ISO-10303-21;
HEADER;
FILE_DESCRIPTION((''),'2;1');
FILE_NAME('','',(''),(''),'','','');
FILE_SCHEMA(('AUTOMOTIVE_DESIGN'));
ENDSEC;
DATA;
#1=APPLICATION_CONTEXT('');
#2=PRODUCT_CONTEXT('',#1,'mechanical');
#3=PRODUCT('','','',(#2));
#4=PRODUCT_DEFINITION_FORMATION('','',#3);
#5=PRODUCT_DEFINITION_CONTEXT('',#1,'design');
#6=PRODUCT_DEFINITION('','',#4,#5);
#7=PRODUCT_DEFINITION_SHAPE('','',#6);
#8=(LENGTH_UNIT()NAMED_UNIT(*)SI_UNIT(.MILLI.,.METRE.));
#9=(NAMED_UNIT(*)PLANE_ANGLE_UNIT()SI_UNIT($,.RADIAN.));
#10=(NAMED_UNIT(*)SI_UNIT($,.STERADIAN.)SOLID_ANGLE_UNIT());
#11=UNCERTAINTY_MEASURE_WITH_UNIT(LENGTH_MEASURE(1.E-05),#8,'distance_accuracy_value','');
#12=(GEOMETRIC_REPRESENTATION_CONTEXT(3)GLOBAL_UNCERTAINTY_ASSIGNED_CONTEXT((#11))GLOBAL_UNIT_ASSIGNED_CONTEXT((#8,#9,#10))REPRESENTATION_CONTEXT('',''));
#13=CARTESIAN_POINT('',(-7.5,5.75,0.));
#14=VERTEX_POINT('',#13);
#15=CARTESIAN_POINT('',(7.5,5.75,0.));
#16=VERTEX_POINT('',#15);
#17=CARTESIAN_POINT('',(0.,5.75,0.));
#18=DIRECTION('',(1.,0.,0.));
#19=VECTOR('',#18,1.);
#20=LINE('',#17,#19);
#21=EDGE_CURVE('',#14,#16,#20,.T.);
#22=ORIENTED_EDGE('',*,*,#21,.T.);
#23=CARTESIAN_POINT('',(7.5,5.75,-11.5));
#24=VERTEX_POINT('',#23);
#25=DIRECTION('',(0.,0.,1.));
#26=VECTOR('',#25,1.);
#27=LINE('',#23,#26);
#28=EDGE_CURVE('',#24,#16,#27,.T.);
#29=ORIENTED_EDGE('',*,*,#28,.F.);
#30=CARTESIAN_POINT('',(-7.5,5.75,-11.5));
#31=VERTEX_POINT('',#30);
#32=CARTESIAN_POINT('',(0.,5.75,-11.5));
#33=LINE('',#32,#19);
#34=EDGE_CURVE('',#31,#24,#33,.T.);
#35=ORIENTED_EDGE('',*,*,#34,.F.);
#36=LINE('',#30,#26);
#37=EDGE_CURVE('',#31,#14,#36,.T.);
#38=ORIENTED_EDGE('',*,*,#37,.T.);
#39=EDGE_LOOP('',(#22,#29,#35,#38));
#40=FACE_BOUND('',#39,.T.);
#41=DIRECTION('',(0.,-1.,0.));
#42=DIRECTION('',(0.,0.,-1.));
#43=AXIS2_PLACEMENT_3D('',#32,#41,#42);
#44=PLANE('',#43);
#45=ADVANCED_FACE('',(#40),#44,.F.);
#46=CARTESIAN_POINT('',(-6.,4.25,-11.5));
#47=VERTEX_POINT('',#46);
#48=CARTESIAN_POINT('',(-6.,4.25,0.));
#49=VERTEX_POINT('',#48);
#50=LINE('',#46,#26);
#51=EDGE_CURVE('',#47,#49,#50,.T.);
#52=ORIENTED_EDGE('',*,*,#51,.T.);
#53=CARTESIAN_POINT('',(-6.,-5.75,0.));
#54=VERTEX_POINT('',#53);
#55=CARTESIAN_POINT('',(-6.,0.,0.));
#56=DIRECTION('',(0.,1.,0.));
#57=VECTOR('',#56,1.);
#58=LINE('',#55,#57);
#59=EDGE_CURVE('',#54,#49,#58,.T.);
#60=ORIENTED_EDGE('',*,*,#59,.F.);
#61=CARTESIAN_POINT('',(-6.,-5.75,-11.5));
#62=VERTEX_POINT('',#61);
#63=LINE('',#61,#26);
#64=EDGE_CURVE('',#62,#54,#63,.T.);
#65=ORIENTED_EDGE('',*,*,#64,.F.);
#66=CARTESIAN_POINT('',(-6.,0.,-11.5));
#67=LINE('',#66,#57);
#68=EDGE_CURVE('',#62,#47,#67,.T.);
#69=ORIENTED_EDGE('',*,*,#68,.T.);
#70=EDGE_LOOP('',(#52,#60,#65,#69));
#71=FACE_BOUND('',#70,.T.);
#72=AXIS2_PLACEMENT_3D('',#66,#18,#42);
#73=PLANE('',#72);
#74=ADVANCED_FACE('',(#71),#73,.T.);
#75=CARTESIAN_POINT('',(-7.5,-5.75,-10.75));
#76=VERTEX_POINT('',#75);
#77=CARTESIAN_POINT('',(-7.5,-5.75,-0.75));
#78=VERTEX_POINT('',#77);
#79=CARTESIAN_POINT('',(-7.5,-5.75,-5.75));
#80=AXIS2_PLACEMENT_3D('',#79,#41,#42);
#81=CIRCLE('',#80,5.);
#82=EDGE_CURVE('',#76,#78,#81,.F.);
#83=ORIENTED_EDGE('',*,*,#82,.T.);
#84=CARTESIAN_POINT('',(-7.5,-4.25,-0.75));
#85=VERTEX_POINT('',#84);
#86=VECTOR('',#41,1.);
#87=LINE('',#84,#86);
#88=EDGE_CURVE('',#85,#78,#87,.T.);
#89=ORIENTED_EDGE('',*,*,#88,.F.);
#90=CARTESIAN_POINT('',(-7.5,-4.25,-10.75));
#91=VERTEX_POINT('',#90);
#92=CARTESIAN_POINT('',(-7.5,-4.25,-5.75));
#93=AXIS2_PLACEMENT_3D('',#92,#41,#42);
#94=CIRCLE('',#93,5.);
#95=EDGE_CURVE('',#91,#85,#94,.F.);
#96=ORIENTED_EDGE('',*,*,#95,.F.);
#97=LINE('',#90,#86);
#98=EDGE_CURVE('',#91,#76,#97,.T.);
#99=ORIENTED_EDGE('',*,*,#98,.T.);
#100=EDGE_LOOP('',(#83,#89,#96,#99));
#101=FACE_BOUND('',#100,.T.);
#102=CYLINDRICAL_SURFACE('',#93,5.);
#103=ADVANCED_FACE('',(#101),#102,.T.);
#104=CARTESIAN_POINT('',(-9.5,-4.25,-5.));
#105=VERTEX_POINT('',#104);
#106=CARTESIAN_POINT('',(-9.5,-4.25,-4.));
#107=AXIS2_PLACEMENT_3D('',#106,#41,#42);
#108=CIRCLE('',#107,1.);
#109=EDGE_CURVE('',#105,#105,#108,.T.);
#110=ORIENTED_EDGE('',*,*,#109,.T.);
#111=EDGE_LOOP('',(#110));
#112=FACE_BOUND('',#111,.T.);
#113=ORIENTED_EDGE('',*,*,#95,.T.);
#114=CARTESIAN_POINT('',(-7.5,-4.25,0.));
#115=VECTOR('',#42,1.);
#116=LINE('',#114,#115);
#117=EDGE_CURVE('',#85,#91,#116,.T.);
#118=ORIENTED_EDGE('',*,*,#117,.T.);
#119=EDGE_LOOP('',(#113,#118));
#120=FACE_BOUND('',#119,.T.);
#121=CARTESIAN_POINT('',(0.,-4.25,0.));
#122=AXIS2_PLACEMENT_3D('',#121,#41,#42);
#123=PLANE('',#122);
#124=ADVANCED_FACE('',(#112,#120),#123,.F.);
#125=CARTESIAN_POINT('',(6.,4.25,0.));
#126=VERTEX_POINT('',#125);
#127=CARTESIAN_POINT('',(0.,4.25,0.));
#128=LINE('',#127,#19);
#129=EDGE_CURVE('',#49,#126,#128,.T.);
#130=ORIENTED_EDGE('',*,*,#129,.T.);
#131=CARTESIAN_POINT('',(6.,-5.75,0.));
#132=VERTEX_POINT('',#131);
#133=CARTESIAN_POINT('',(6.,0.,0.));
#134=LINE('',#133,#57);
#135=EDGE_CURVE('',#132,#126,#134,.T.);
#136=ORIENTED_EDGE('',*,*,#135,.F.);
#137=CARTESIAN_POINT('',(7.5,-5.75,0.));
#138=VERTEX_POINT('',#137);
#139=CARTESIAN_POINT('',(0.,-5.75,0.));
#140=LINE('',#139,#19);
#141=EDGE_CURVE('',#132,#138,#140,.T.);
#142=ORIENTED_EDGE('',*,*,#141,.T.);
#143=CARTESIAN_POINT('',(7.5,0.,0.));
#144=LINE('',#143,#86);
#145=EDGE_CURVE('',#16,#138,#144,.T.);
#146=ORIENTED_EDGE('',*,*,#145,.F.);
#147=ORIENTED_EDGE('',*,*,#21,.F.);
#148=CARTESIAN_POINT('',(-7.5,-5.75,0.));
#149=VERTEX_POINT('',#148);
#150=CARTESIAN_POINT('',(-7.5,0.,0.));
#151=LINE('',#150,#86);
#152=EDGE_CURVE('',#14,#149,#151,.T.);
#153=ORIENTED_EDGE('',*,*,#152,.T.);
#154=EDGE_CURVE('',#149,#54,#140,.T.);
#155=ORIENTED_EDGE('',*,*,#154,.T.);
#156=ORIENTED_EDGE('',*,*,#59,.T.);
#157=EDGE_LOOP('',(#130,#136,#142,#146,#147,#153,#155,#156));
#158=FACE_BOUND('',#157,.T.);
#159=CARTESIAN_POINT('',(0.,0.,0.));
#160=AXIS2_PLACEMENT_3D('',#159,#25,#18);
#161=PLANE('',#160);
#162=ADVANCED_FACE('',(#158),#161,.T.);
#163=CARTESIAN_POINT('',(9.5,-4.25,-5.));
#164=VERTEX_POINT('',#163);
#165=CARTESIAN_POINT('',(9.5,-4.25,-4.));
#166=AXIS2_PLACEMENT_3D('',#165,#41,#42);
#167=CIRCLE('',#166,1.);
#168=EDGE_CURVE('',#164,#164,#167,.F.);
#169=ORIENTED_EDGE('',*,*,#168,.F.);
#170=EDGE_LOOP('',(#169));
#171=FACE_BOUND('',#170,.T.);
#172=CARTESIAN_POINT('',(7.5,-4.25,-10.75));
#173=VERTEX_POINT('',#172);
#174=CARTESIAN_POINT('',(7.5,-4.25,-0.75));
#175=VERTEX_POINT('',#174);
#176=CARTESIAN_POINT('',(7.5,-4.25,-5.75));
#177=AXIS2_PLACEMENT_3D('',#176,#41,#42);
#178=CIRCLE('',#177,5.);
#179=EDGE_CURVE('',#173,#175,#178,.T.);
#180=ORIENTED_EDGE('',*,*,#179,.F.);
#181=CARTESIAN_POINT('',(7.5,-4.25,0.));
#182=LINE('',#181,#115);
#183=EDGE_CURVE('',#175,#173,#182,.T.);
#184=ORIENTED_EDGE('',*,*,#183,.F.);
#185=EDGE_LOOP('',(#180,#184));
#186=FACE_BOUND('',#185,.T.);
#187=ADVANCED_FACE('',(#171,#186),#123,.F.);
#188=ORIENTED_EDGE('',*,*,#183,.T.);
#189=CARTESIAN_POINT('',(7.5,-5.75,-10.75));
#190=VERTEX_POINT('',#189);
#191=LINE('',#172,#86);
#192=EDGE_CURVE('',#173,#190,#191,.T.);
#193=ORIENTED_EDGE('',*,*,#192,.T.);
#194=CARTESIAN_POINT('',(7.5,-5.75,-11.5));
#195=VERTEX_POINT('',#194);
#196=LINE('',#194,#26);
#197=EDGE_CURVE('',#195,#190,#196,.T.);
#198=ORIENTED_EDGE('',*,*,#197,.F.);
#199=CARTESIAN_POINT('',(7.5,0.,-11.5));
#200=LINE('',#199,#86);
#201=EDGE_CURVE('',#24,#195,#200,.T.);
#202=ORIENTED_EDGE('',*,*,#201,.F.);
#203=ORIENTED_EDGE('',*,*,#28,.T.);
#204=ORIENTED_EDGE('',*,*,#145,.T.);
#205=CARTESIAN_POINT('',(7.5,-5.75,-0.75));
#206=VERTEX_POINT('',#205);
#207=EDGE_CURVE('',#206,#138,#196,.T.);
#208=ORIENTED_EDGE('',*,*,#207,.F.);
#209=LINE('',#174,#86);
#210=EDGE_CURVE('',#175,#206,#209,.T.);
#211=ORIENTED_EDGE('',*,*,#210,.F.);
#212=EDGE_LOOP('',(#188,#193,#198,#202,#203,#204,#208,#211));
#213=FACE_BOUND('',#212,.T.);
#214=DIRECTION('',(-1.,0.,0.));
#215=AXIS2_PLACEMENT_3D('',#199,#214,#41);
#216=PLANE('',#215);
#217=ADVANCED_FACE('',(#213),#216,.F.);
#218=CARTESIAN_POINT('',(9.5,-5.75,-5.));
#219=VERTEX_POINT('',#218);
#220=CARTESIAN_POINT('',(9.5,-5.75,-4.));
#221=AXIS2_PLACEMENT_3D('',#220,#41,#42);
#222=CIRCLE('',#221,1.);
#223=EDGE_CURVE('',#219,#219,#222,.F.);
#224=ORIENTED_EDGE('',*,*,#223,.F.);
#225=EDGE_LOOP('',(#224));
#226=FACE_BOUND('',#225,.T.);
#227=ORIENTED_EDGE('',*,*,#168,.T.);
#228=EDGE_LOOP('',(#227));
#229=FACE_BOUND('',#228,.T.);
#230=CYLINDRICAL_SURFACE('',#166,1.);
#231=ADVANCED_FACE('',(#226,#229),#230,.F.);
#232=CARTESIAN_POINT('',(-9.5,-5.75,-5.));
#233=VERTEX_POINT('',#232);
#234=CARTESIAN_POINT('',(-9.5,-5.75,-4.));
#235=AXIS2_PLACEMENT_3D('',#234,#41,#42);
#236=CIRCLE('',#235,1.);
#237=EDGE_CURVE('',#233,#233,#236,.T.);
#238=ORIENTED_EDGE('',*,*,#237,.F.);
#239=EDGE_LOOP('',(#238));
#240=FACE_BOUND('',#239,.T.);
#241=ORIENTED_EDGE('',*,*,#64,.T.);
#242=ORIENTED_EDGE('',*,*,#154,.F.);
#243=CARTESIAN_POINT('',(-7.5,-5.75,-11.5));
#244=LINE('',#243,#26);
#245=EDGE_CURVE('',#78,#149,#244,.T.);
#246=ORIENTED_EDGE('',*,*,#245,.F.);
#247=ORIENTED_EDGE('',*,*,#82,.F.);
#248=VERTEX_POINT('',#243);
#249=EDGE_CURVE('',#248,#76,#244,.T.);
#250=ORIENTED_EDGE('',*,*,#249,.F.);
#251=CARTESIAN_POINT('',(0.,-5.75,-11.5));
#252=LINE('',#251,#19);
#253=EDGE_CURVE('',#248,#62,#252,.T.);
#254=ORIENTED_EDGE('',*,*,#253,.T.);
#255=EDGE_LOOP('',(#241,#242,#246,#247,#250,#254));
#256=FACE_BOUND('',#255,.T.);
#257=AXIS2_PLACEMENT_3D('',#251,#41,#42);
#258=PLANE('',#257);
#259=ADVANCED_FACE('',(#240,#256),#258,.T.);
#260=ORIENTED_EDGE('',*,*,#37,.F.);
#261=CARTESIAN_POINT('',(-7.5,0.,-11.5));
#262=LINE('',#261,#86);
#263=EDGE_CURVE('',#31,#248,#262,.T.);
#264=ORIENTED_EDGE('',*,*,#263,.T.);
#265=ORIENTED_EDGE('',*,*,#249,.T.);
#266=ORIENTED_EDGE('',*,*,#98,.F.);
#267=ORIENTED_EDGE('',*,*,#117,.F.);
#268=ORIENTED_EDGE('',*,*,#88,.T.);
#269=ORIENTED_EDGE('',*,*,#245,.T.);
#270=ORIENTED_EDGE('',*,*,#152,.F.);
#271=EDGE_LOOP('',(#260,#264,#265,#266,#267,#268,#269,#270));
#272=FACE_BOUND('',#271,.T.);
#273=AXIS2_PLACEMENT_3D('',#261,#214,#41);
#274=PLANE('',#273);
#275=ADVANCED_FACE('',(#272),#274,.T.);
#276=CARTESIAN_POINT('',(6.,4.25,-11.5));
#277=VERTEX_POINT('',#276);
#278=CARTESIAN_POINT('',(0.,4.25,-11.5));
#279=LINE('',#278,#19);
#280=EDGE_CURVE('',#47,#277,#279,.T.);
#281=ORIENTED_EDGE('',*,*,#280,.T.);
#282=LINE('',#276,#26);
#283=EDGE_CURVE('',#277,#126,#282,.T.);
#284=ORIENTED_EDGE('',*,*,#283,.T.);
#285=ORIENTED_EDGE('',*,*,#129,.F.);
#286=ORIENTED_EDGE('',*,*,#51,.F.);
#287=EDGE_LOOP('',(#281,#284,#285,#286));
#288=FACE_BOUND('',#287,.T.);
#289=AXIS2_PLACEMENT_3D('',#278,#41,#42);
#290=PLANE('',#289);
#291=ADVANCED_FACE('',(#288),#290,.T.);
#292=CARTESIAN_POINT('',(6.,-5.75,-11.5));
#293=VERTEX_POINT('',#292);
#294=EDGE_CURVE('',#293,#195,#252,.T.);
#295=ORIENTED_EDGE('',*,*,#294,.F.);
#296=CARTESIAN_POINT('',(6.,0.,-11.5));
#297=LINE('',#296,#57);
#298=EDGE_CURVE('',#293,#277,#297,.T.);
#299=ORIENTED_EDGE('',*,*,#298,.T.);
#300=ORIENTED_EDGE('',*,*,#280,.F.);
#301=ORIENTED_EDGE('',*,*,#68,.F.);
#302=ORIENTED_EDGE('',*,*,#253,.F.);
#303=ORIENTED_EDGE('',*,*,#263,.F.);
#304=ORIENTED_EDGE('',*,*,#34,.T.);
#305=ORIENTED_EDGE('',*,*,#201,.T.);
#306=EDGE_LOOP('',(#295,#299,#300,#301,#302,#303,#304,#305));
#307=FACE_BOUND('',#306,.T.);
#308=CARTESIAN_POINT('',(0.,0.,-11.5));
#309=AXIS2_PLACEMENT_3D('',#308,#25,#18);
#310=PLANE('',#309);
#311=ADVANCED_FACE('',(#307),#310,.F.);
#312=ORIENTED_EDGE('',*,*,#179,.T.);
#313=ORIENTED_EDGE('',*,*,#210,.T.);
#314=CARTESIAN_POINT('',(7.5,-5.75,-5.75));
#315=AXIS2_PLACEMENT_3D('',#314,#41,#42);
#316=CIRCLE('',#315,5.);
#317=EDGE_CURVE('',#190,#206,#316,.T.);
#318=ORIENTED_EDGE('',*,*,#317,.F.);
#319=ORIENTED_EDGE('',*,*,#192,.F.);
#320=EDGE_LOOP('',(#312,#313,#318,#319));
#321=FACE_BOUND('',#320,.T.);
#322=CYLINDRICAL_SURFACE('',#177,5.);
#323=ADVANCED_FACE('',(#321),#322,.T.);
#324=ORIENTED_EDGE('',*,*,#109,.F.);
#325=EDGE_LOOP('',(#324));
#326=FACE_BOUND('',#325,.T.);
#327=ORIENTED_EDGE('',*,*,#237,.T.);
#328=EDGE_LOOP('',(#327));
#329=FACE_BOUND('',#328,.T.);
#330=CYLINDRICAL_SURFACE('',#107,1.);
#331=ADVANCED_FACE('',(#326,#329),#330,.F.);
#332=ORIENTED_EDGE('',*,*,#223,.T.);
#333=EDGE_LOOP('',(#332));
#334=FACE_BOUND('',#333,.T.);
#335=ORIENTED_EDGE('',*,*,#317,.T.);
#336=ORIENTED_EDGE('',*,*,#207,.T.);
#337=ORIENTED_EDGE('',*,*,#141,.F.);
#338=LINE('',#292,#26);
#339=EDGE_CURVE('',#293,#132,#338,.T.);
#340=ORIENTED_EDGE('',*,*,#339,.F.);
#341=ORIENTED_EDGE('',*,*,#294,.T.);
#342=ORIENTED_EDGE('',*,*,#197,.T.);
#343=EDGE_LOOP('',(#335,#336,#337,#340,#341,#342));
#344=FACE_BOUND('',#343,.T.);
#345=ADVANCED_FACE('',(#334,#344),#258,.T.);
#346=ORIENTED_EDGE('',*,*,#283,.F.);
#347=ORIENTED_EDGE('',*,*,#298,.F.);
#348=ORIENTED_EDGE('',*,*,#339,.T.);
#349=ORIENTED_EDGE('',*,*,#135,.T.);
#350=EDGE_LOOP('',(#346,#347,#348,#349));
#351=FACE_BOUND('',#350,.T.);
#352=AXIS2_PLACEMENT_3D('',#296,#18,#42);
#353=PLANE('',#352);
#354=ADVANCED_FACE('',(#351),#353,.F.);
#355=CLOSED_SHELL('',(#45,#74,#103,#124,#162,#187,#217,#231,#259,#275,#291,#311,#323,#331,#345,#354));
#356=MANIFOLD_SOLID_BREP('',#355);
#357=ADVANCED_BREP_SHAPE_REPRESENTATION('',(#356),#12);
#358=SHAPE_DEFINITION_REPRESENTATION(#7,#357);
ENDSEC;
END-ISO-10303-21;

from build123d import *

# Parameters (mm, degrees)
BOSS_EXTRUDE1_DEPTH = 11.5
SKETCH2_R           = 1
BOSS_EXTRUDE2_DEPTH = 1.5


with BuildPart() as part:
    # Sketch1 → Boss-Extrude1 (new body)
    with BuildSketch(Plane.XY):
        Polygon((7.5, 5.75), (-7.5, 5.75), (-7.5, -5.75), (-6, -5.75), (-6, 4.25), (6, 4.25), (6, -5.75), (7.5, -5.75), align=None)
    extrude(amount=-BOSS_EXTRUDE1_DEPTH)

    # Sketch2 → Boss-Extrude2 (add)
    with BuildSketch(Plane.XZ.offset(5.75)):
        with BuildLine():
            Line((-7.5, -10.75), (-7.5, -0.75))
            ThreePointArc((-7.5, -0.75), (-12.5, -5.75), (-7.5, -10.75))
        make_face()
        with Locations((-9.5, -4)):
            Circle(SKETCH2_R, mode=Mode.SUBTRACT)
        with BuildLine():
            Line((7.5, -0.75), (7.5, -10.75))
            ThreePointArc((7.5, -10.75), (12.5, -5.75), (7.5, -0.75))
        make_face()
        with Locations((9.5, -4)):
            Circle(SKETCH2_R, mode=Mode.SUBTRACT)
    extrude(amount=-BOSS_EXTRUDE2_DEPTH)


solid = part.part
